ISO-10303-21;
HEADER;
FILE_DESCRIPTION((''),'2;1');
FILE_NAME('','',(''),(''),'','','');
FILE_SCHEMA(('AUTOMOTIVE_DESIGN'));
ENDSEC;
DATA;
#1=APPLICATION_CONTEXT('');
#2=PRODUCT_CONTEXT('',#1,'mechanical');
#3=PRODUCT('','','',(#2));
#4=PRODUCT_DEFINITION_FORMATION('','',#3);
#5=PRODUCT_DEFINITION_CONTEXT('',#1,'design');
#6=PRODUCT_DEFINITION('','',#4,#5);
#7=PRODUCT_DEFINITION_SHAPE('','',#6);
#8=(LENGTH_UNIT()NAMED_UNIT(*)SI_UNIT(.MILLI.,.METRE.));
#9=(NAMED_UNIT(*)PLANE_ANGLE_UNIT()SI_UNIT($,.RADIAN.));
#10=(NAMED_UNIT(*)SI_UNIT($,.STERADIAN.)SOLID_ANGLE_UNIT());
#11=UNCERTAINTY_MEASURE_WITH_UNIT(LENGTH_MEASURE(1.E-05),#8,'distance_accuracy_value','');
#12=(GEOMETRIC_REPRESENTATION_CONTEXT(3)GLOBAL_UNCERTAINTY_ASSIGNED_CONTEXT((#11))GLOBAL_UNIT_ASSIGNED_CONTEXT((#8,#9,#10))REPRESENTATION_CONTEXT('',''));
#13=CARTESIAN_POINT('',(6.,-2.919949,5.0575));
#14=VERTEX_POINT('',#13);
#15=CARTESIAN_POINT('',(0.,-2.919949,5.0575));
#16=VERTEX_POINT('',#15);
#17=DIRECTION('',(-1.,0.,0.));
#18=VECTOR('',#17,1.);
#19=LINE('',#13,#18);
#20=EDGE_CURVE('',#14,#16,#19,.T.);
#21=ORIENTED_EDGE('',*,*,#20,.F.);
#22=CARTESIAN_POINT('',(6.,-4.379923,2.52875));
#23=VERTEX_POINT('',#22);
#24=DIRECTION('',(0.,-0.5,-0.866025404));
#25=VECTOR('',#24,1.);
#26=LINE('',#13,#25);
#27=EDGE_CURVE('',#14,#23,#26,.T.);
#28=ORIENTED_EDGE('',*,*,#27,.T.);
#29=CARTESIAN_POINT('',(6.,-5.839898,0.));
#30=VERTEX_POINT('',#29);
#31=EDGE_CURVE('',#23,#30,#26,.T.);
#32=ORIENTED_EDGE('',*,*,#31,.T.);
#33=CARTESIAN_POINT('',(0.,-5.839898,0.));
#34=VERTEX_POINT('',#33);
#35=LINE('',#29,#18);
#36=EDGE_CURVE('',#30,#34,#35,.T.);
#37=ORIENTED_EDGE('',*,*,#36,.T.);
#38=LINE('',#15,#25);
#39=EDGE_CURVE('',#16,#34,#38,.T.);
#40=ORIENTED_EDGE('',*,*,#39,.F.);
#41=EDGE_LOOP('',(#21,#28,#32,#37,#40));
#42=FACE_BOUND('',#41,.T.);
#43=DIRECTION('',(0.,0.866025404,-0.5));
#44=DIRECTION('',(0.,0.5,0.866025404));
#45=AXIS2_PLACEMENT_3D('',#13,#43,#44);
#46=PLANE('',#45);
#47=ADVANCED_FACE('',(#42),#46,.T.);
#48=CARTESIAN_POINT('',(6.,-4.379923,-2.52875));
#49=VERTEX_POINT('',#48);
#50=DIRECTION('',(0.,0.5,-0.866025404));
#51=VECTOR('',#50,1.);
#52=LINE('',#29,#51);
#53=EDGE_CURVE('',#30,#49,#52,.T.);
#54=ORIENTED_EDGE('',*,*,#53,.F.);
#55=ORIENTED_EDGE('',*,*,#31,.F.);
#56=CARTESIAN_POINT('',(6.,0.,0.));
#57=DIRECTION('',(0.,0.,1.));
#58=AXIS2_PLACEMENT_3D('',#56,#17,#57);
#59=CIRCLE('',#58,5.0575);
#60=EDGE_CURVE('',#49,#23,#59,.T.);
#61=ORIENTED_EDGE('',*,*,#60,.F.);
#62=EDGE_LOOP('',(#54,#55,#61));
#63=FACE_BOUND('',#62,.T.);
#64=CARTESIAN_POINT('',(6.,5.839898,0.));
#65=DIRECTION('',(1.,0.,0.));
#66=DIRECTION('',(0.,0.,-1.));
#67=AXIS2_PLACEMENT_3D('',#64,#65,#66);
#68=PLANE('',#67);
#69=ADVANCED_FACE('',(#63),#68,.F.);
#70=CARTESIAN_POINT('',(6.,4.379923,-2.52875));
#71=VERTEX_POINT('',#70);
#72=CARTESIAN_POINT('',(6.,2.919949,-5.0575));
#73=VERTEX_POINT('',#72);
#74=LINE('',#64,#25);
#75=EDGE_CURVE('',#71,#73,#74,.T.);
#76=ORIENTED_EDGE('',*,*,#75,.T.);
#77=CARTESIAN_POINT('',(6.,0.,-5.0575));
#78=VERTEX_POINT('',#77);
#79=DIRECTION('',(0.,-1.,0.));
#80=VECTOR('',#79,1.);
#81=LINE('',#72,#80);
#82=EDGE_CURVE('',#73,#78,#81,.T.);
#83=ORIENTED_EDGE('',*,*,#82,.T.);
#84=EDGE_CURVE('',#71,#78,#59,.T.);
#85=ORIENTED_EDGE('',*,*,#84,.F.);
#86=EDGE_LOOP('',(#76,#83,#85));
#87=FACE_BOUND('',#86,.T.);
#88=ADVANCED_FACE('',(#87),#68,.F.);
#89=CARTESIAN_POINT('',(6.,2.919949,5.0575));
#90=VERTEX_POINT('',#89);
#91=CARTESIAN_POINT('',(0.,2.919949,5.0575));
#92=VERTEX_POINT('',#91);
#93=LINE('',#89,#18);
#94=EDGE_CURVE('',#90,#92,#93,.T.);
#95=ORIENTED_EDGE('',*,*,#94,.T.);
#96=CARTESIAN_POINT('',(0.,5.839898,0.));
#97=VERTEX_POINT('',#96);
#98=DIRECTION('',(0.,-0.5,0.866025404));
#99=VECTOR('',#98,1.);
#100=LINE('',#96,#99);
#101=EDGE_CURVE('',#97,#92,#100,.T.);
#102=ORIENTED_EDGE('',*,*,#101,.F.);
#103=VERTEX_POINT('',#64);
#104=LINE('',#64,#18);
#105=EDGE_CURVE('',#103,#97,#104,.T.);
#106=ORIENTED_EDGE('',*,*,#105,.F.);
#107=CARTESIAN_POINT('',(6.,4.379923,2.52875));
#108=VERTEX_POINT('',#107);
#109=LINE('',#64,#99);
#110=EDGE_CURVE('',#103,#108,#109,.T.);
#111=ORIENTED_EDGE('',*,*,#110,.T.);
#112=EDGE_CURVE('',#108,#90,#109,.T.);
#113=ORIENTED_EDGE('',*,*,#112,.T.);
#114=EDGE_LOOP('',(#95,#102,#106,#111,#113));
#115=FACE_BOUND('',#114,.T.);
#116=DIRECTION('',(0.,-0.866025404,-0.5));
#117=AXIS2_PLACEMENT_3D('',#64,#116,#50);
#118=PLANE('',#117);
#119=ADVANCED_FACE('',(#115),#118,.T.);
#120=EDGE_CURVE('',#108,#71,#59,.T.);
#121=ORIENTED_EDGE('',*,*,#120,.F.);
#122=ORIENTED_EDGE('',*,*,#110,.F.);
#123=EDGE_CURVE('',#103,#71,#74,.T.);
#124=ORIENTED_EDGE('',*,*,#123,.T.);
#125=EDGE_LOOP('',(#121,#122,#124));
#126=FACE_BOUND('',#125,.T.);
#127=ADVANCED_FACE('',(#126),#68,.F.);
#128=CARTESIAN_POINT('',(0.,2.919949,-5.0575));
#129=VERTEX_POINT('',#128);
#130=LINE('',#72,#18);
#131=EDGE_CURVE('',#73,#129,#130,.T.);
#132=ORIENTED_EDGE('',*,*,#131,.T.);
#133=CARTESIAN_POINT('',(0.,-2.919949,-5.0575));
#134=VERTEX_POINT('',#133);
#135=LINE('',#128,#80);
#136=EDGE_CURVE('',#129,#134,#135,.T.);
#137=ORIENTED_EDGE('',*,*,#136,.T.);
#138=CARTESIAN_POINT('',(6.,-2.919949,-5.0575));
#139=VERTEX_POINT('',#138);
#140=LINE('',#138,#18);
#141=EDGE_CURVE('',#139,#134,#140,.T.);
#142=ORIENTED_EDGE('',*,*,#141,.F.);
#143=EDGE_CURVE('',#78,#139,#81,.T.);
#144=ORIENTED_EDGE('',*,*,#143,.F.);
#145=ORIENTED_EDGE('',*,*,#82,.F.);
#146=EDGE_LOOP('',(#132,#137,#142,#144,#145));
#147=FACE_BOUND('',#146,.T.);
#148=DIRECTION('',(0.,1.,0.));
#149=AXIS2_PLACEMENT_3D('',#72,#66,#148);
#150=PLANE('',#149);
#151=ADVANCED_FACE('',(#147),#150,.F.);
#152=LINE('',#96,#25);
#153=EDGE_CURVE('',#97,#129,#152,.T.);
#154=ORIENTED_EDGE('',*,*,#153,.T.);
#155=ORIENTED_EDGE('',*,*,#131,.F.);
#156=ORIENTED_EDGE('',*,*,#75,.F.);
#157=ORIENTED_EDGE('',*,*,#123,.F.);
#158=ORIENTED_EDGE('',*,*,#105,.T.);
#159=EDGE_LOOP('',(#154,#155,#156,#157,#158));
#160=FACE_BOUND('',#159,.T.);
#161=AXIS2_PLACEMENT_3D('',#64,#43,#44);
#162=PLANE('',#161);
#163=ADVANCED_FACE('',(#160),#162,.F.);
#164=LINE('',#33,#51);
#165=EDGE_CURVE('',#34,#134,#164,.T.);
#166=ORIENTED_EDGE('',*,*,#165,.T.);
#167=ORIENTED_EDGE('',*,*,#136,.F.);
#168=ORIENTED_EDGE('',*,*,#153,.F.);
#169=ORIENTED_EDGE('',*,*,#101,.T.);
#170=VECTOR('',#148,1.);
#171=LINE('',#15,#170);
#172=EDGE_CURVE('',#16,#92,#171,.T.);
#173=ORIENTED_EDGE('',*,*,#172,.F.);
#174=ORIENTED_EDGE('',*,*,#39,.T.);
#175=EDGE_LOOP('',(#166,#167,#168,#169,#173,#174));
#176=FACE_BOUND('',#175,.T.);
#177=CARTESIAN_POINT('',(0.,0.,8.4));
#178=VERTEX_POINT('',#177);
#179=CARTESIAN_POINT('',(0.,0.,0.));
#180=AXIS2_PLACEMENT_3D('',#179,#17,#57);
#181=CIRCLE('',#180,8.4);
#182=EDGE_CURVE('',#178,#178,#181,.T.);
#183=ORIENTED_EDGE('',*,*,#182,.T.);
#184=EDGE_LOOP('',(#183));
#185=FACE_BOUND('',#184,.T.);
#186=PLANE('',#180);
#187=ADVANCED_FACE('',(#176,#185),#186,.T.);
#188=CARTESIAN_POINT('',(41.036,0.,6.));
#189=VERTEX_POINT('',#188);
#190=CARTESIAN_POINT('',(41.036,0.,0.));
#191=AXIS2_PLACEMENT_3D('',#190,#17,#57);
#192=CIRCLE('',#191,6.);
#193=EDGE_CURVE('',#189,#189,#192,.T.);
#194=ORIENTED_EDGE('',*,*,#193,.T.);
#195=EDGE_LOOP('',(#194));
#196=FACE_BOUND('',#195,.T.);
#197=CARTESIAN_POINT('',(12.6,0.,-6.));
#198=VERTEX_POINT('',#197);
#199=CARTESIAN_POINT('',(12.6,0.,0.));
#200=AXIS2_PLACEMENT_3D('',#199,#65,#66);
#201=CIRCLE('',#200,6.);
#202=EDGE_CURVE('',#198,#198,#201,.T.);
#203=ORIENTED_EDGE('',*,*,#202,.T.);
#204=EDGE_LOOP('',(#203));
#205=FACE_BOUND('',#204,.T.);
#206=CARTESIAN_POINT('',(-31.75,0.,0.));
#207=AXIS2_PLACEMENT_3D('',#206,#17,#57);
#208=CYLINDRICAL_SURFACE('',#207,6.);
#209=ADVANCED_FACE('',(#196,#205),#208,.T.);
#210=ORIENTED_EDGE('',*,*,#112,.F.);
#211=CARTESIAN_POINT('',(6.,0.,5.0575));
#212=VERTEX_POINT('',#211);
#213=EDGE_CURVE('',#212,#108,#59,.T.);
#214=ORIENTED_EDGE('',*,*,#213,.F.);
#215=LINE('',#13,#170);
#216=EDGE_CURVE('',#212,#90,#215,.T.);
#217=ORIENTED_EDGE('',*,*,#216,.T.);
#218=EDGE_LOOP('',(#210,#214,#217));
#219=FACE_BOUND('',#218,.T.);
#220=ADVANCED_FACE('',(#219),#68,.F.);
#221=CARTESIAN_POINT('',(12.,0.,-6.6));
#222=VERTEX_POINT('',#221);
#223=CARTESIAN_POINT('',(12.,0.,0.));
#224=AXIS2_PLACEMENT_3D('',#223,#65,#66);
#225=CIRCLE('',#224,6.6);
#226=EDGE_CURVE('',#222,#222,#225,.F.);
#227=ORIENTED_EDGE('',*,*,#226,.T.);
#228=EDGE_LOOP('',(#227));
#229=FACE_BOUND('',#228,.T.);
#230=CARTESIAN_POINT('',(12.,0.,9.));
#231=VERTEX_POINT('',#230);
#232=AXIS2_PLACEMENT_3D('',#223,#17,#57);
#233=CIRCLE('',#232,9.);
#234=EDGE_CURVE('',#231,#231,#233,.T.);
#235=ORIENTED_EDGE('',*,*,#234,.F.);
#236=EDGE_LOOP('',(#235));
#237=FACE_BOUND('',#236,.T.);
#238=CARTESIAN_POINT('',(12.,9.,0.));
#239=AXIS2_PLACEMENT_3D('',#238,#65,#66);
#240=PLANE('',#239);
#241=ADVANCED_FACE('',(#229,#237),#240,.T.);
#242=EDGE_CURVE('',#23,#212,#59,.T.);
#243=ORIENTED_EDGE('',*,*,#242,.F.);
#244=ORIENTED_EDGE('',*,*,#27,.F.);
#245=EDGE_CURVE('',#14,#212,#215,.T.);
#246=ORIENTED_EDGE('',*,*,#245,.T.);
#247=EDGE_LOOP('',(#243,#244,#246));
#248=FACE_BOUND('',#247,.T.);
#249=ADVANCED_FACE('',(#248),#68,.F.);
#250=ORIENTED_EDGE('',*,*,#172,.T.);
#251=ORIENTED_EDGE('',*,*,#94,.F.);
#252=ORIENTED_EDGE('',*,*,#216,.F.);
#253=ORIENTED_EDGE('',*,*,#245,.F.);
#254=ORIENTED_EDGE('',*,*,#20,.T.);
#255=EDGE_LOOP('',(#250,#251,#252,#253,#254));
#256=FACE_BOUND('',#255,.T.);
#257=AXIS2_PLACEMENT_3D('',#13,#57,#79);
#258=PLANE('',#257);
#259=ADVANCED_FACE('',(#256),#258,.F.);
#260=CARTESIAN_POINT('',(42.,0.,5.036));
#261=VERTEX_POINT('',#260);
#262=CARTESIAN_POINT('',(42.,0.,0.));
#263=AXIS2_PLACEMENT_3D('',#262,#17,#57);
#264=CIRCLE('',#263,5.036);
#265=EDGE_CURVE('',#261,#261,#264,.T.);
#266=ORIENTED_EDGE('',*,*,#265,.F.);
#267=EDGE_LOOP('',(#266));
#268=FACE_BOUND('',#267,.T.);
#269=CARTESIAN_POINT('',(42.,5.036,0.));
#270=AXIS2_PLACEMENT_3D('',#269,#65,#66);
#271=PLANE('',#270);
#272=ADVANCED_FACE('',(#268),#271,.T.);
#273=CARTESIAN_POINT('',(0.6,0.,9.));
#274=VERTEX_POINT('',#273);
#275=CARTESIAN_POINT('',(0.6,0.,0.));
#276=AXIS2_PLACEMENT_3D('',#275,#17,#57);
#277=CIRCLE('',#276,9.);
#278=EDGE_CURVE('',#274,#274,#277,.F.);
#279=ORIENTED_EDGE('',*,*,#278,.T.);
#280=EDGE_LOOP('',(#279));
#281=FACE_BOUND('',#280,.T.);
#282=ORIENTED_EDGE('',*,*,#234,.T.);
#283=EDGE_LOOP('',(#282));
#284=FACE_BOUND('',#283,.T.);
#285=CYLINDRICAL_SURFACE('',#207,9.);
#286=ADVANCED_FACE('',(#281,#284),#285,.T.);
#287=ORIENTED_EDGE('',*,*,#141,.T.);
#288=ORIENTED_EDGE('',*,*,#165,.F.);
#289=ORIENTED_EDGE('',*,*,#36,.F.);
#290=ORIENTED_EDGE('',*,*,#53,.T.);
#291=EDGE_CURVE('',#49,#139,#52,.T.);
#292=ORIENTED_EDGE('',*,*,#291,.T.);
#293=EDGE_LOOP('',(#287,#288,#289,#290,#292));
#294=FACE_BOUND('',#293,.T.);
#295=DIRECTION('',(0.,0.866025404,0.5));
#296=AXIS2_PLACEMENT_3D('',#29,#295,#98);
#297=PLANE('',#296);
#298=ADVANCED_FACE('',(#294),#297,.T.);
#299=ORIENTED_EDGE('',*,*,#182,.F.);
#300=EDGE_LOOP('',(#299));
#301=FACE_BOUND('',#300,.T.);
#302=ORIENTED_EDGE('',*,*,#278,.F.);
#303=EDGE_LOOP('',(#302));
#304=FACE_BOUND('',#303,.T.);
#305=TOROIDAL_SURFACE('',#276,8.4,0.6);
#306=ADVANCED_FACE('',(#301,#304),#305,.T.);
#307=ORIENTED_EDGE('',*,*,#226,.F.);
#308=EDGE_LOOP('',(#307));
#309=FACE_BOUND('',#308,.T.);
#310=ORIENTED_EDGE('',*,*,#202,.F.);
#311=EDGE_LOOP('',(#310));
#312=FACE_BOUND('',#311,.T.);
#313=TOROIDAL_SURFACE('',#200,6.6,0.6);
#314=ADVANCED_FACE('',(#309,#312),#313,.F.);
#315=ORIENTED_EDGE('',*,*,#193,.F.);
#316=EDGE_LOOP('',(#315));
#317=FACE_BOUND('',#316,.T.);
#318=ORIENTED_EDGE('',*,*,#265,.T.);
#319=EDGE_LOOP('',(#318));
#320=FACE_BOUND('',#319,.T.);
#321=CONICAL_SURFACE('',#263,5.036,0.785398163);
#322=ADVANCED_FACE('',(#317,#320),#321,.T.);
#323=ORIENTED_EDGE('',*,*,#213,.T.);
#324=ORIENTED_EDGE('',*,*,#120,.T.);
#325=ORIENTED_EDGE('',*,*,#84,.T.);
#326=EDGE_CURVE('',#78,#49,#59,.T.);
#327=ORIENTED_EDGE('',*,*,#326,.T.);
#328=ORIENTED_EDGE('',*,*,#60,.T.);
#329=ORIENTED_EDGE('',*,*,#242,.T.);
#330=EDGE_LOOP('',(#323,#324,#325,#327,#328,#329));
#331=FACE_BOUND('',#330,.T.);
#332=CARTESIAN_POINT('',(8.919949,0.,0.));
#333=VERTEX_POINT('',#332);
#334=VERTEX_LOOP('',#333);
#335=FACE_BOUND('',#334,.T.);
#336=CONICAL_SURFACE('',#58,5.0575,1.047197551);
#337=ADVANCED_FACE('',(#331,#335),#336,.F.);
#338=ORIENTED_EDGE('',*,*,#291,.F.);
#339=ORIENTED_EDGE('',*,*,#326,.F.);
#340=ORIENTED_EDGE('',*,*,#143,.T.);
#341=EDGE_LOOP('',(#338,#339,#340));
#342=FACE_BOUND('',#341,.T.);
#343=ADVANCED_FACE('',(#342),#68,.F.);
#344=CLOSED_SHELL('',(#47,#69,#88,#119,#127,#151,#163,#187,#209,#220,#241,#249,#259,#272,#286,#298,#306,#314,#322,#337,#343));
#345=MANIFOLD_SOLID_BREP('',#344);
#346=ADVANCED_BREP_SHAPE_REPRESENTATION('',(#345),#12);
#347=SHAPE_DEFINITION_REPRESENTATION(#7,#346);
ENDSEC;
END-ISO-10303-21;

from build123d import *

# Parameters (mm, degrees)
FILLET1_R   = 0.6
FILLET2_R   = 0.6
HEX_2_DEPTH = 6


with BuildPart() as part:
    # BodySke → Base-Revolve (revolve)
    with BuildSketch(Plane.XY, mode=Mode.PRIVATE) as base_revolve_sk:
        Polygon((0, 0), (0, 9), (12, 9), (12, 6), (41.036, 6), (42, 5.036), (42, 0), align=None)
    revolve(base_revolve_sk.sketch.rotate(Axis((-31.75, 0, 0), (1, 0, 0)), 90), axis=Axis((-31.75, 0, 0), (1, 0, 0)))

    # Fillet1
    fillet1_edges = [part.edges().sort_by_distance(p)[0] for p in [
        (12, 0, -6),
    ]]
    fillet(fillet1_edges, radius=FILLET1_R)

    # Fillet2
    fillet2_edges = [part.edges().sort_by_distance(p)[0] for p in [
        (0, 0, -9),
    ]]
    fillet(fillet2_edges, radius=FILLET2_R)

    # Sketch2 → Hex-PreBroach (revolve, cut)
    with BuildSketch(Plane.XY, mode=Mode.PRIVATE) as hex_prebroach_sk:
        Polygon((0, 5.0575), (6, 5.0575), (8.919948986, 0), (0, 0), align=None)
    revolve(hex_prebroach_sk.sketch.rotate(Axis((0, 0, 0), (1, 0, 0)), 90), axis=Axis((0, 0, 0), (1, 0, 0)), mode=Mode.SUBTRACT)

    # Sketch3 → Hex 2 (cut)
    with BuildSketch(Plane(origin=(0, 0, 0), x_dir=(0, 0.500000000000001, 0.866025403784438), z_dir=(-1, 0, 0))):
        Polygon((2.919948986, 5.0575), (-2.919948986, 5.0575), (-5.839897973, 0), (-2.919948986, -5.0575), (2.919948986, -5.0575), (5.839897973, 0), align=None)
    extrude(amount=-HEX_2_DEPTH, mode=Mode.SUBTRACT)


solid = part.part
